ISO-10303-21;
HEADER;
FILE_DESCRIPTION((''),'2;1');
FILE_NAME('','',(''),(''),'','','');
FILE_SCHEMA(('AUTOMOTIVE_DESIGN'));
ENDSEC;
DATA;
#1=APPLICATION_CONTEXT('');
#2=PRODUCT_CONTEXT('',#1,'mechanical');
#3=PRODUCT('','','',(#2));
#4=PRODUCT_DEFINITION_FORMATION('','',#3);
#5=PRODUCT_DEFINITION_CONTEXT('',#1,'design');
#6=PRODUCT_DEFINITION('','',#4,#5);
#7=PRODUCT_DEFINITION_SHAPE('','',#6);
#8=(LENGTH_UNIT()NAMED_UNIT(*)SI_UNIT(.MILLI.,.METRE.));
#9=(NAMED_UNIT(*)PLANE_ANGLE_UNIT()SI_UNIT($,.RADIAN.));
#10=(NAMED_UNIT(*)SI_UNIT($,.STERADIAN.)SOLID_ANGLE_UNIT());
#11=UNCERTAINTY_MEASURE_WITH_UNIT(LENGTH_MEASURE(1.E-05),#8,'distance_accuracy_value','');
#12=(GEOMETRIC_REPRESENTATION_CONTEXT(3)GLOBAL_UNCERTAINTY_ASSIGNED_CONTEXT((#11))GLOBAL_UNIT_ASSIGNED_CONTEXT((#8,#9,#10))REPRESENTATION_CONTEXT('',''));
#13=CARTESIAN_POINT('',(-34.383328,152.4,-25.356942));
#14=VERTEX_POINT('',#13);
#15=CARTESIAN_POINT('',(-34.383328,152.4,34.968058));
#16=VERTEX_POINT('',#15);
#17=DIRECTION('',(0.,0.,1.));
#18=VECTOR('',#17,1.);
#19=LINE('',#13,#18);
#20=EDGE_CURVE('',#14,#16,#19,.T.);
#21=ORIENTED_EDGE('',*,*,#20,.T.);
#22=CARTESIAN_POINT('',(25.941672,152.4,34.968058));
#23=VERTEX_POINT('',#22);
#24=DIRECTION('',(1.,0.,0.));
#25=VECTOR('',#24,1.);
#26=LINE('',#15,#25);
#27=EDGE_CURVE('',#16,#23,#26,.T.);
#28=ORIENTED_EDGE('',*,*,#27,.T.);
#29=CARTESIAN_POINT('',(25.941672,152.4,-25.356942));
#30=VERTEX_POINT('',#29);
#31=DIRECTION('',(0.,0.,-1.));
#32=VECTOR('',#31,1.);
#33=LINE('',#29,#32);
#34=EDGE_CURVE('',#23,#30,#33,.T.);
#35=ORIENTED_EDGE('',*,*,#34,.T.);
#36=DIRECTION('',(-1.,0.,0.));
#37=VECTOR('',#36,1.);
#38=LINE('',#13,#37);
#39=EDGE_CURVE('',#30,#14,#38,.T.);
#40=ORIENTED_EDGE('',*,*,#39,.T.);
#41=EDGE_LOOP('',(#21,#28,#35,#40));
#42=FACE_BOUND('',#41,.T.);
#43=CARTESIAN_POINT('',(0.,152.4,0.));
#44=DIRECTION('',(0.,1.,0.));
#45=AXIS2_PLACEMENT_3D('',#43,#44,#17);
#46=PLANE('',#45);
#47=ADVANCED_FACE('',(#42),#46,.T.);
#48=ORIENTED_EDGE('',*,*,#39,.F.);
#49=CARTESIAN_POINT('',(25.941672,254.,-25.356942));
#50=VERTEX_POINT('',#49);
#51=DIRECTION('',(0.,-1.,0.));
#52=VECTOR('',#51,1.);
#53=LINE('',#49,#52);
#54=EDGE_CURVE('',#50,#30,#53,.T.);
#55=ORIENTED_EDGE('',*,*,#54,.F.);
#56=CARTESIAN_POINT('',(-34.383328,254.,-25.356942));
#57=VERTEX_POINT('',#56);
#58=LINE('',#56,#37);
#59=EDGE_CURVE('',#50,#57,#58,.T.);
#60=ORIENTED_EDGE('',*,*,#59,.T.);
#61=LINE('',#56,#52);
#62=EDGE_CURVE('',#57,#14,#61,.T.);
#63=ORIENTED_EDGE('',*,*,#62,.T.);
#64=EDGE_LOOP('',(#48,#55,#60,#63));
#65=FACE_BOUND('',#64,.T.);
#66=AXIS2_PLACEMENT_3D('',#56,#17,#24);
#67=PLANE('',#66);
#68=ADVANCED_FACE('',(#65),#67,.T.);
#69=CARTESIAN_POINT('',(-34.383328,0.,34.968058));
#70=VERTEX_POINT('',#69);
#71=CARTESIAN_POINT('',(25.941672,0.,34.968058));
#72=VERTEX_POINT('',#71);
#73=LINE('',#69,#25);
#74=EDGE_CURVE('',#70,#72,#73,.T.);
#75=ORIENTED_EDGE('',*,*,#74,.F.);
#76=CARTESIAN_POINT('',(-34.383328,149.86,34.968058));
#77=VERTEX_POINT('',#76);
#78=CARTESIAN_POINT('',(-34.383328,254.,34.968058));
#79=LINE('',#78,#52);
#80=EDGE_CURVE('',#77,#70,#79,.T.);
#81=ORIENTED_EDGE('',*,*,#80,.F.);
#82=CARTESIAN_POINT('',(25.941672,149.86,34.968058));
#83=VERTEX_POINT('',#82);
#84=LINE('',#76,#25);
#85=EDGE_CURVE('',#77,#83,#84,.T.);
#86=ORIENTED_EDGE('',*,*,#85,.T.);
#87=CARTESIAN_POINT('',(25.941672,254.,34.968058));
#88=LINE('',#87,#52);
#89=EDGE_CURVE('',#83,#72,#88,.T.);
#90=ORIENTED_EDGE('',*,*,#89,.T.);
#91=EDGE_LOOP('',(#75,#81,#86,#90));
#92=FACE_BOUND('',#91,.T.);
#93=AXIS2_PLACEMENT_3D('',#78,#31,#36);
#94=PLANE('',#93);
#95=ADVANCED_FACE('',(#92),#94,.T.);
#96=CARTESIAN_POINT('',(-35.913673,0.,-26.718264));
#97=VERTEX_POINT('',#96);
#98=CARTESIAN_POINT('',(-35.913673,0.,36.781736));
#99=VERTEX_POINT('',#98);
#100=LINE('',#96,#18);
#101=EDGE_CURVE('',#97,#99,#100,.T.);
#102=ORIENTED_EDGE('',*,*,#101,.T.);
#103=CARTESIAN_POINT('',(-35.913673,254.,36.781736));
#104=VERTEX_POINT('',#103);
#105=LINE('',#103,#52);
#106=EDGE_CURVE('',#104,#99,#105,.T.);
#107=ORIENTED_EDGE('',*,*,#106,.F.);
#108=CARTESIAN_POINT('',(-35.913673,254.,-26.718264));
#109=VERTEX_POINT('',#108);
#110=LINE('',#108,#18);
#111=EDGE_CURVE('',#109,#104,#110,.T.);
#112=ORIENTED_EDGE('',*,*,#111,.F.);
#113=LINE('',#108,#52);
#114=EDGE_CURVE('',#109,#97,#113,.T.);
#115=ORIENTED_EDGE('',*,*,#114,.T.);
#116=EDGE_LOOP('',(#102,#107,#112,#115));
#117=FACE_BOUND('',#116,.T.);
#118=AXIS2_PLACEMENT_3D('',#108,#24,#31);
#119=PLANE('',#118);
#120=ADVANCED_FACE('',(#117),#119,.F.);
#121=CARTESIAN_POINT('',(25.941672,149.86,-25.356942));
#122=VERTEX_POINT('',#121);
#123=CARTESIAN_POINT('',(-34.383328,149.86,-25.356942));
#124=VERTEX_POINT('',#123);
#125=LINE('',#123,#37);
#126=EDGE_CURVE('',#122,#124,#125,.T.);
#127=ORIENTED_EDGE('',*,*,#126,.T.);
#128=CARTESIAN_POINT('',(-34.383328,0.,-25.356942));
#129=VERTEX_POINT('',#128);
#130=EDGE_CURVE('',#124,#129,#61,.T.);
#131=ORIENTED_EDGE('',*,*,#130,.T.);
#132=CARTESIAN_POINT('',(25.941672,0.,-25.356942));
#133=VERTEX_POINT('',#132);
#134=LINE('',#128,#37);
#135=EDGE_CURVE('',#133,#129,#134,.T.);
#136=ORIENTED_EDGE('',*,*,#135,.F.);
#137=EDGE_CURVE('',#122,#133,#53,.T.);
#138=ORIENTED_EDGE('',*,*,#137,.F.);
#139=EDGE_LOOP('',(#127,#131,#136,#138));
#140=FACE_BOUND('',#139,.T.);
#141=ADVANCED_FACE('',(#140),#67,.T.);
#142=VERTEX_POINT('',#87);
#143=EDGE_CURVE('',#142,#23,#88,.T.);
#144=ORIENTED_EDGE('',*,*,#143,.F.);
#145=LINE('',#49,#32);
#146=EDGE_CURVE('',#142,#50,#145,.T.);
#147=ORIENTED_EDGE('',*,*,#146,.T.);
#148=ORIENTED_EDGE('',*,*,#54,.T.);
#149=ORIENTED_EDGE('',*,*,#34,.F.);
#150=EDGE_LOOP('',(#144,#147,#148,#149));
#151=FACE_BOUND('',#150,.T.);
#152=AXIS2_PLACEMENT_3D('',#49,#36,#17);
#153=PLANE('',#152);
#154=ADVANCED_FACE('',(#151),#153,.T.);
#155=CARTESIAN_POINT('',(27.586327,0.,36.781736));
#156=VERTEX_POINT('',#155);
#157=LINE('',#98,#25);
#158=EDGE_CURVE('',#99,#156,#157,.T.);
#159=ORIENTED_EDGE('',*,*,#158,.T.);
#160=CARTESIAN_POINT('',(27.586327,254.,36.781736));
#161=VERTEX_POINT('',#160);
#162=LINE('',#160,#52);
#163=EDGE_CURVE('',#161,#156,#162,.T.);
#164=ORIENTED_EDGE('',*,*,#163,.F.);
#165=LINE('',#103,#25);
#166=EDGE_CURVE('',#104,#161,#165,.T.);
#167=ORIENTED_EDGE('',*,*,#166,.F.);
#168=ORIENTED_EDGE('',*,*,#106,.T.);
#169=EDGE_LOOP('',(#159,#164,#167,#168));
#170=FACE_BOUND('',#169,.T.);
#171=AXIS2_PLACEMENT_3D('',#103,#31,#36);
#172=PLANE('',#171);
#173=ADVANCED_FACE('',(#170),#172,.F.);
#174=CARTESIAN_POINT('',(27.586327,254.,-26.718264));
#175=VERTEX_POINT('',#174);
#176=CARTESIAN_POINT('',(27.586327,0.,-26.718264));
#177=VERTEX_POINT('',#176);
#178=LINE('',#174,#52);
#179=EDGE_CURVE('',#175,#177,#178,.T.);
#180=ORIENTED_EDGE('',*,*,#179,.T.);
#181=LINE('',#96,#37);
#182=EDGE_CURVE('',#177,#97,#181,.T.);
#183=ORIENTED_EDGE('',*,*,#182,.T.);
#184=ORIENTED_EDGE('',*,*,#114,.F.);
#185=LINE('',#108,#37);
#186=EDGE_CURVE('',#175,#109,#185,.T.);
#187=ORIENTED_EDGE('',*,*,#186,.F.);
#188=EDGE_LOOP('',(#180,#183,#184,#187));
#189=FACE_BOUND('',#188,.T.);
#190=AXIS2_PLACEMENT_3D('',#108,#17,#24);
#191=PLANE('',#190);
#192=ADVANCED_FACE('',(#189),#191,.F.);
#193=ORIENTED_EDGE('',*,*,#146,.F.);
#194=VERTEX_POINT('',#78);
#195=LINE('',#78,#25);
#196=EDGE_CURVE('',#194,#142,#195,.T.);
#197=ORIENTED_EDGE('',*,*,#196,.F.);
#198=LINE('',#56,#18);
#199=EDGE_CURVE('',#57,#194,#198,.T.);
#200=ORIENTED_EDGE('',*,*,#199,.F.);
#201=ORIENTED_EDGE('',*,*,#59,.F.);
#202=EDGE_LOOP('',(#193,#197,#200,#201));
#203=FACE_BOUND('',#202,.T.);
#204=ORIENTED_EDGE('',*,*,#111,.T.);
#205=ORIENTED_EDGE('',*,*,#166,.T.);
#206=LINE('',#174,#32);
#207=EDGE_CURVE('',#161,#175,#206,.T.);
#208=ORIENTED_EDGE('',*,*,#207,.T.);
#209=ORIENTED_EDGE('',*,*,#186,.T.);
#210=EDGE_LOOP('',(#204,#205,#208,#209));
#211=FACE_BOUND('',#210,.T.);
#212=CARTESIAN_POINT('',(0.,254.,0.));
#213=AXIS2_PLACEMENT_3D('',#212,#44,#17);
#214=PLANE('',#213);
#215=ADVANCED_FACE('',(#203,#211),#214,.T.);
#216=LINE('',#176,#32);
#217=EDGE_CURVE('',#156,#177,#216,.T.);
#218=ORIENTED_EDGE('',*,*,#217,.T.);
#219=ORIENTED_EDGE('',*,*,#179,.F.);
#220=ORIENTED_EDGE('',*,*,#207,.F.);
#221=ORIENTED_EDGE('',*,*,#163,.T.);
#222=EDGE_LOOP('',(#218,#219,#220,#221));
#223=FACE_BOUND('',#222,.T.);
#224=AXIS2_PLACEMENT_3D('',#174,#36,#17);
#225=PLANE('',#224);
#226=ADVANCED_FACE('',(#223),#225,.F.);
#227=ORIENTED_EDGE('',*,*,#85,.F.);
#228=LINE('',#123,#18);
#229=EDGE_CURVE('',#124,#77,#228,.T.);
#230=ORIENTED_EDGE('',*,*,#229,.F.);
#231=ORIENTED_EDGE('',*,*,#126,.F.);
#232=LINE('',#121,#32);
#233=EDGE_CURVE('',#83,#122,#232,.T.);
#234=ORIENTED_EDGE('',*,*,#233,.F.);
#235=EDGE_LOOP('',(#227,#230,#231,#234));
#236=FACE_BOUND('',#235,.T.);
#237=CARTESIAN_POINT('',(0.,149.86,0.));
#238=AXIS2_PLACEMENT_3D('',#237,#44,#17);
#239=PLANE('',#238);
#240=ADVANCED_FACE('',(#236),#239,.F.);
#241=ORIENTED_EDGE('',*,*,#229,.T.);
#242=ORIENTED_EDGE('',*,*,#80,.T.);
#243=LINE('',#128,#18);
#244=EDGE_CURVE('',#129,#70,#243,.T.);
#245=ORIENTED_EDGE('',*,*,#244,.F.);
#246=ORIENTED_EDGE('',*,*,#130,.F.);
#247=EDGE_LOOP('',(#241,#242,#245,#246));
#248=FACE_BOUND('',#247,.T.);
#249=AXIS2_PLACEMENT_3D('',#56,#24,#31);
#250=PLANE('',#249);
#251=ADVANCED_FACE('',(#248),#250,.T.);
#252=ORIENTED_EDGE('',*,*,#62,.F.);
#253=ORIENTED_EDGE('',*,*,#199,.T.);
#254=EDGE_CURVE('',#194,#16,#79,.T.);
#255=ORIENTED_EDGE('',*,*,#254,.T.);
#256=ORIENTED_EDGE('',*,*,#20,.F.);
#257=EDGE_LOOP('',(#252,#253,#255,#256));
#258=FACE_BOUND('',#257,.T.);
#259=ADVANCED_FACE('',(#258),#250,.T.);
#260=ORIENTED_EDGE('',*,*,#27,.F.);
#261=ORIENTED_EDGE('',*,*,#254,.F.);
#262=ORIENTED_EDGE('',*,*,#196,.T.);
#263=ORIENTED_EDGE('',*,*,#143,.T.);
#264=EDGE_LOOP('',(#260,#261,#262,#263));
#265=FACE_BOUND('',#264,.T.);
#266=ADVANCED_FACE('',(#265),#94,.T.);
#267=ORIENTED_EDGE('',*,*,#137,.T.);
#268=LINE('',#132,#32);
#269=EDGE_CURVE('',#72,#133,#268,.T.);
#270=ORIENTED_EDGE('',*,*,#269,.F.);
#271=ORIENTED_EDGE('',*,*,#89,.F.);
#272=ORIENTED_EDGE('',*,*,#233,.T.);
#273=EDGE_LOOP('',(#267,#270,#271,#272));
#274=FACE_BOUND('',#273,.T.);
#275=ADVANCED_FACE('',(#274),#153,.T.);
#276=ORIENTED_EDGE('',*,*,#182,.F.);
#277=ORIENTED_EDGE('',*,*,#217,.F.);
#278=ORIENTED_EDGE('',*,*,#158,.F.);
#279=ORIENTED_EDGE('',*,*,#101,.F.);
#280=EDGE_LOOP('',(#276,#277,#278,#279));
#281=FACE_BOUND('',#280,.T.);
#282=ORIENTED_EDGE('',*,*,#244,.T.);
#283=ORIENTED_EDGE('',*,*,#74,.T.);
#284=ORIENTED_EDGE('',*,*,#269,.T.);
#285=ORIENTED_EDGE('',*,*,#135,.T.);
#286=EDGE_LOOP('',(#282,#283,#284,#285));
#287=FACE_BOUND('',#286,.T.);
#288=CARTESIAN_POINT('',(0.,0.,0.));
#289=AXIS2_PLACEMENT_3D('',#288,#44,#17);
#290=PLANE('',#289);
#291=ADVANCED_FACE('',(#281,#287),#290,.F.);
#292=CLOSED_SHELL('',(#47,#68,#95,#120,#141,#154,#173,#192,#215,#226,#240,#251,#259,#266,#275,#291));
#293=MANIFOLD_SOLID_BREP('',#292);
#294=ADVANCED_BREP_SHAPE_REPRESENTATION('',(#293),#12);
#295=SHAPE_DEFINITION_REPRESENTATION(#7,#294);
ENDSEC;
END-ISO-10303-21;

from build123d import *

# Parameters (mm, degrees)
SKETCH1_W           = 63.5
SKETCH1_H           = 63.5
SKETCH1_W_2         = 60.325
SKETCH1_H_2         = 60.325
BOSS_EXTRUDE1_DEPTH = 254
SKETCH3_W           = 60.325
SKETCH3_H           = 60.325
BOSS_EXTRUDE3_DEPTH = 2.54


with BuildPart() as part:
    # Sketch1 → Boss-Extrude1 (new body)
    with BuildSketch(Plane(origin=(0, 0, 0), x_dir=(1, 0, 0), z_dir=(0, 1, 0))):
        with Locations((-4.163673182, -5.031735612)):
            Rectangle(SKETCH1_W, SKETCH1_H)
        with Locations((-4.220828178, -4.80555794)):
            Rectangle(SKETCH1_W_2, SKETCH1_H_2, mode=Mode.SUBTRACT)
    extrude(amount=BOSS_EXTRUDE1_DEPTH)

    # Sketch3 → Boss-Extrude3 (add)
    with BuildSketch(Plane(origin=(0, 152.4, 0), x_dir=(1, 0, 0), z_dir=(0, 1, 0))):
        with Locations((-4.220828178, -4.80555794)):
            Rectangle(SKETCH3_W, SKETCH3_H)
    extrude(amount=-BOSS_EXTRUDE3_DEPTH)


solid = part.part
